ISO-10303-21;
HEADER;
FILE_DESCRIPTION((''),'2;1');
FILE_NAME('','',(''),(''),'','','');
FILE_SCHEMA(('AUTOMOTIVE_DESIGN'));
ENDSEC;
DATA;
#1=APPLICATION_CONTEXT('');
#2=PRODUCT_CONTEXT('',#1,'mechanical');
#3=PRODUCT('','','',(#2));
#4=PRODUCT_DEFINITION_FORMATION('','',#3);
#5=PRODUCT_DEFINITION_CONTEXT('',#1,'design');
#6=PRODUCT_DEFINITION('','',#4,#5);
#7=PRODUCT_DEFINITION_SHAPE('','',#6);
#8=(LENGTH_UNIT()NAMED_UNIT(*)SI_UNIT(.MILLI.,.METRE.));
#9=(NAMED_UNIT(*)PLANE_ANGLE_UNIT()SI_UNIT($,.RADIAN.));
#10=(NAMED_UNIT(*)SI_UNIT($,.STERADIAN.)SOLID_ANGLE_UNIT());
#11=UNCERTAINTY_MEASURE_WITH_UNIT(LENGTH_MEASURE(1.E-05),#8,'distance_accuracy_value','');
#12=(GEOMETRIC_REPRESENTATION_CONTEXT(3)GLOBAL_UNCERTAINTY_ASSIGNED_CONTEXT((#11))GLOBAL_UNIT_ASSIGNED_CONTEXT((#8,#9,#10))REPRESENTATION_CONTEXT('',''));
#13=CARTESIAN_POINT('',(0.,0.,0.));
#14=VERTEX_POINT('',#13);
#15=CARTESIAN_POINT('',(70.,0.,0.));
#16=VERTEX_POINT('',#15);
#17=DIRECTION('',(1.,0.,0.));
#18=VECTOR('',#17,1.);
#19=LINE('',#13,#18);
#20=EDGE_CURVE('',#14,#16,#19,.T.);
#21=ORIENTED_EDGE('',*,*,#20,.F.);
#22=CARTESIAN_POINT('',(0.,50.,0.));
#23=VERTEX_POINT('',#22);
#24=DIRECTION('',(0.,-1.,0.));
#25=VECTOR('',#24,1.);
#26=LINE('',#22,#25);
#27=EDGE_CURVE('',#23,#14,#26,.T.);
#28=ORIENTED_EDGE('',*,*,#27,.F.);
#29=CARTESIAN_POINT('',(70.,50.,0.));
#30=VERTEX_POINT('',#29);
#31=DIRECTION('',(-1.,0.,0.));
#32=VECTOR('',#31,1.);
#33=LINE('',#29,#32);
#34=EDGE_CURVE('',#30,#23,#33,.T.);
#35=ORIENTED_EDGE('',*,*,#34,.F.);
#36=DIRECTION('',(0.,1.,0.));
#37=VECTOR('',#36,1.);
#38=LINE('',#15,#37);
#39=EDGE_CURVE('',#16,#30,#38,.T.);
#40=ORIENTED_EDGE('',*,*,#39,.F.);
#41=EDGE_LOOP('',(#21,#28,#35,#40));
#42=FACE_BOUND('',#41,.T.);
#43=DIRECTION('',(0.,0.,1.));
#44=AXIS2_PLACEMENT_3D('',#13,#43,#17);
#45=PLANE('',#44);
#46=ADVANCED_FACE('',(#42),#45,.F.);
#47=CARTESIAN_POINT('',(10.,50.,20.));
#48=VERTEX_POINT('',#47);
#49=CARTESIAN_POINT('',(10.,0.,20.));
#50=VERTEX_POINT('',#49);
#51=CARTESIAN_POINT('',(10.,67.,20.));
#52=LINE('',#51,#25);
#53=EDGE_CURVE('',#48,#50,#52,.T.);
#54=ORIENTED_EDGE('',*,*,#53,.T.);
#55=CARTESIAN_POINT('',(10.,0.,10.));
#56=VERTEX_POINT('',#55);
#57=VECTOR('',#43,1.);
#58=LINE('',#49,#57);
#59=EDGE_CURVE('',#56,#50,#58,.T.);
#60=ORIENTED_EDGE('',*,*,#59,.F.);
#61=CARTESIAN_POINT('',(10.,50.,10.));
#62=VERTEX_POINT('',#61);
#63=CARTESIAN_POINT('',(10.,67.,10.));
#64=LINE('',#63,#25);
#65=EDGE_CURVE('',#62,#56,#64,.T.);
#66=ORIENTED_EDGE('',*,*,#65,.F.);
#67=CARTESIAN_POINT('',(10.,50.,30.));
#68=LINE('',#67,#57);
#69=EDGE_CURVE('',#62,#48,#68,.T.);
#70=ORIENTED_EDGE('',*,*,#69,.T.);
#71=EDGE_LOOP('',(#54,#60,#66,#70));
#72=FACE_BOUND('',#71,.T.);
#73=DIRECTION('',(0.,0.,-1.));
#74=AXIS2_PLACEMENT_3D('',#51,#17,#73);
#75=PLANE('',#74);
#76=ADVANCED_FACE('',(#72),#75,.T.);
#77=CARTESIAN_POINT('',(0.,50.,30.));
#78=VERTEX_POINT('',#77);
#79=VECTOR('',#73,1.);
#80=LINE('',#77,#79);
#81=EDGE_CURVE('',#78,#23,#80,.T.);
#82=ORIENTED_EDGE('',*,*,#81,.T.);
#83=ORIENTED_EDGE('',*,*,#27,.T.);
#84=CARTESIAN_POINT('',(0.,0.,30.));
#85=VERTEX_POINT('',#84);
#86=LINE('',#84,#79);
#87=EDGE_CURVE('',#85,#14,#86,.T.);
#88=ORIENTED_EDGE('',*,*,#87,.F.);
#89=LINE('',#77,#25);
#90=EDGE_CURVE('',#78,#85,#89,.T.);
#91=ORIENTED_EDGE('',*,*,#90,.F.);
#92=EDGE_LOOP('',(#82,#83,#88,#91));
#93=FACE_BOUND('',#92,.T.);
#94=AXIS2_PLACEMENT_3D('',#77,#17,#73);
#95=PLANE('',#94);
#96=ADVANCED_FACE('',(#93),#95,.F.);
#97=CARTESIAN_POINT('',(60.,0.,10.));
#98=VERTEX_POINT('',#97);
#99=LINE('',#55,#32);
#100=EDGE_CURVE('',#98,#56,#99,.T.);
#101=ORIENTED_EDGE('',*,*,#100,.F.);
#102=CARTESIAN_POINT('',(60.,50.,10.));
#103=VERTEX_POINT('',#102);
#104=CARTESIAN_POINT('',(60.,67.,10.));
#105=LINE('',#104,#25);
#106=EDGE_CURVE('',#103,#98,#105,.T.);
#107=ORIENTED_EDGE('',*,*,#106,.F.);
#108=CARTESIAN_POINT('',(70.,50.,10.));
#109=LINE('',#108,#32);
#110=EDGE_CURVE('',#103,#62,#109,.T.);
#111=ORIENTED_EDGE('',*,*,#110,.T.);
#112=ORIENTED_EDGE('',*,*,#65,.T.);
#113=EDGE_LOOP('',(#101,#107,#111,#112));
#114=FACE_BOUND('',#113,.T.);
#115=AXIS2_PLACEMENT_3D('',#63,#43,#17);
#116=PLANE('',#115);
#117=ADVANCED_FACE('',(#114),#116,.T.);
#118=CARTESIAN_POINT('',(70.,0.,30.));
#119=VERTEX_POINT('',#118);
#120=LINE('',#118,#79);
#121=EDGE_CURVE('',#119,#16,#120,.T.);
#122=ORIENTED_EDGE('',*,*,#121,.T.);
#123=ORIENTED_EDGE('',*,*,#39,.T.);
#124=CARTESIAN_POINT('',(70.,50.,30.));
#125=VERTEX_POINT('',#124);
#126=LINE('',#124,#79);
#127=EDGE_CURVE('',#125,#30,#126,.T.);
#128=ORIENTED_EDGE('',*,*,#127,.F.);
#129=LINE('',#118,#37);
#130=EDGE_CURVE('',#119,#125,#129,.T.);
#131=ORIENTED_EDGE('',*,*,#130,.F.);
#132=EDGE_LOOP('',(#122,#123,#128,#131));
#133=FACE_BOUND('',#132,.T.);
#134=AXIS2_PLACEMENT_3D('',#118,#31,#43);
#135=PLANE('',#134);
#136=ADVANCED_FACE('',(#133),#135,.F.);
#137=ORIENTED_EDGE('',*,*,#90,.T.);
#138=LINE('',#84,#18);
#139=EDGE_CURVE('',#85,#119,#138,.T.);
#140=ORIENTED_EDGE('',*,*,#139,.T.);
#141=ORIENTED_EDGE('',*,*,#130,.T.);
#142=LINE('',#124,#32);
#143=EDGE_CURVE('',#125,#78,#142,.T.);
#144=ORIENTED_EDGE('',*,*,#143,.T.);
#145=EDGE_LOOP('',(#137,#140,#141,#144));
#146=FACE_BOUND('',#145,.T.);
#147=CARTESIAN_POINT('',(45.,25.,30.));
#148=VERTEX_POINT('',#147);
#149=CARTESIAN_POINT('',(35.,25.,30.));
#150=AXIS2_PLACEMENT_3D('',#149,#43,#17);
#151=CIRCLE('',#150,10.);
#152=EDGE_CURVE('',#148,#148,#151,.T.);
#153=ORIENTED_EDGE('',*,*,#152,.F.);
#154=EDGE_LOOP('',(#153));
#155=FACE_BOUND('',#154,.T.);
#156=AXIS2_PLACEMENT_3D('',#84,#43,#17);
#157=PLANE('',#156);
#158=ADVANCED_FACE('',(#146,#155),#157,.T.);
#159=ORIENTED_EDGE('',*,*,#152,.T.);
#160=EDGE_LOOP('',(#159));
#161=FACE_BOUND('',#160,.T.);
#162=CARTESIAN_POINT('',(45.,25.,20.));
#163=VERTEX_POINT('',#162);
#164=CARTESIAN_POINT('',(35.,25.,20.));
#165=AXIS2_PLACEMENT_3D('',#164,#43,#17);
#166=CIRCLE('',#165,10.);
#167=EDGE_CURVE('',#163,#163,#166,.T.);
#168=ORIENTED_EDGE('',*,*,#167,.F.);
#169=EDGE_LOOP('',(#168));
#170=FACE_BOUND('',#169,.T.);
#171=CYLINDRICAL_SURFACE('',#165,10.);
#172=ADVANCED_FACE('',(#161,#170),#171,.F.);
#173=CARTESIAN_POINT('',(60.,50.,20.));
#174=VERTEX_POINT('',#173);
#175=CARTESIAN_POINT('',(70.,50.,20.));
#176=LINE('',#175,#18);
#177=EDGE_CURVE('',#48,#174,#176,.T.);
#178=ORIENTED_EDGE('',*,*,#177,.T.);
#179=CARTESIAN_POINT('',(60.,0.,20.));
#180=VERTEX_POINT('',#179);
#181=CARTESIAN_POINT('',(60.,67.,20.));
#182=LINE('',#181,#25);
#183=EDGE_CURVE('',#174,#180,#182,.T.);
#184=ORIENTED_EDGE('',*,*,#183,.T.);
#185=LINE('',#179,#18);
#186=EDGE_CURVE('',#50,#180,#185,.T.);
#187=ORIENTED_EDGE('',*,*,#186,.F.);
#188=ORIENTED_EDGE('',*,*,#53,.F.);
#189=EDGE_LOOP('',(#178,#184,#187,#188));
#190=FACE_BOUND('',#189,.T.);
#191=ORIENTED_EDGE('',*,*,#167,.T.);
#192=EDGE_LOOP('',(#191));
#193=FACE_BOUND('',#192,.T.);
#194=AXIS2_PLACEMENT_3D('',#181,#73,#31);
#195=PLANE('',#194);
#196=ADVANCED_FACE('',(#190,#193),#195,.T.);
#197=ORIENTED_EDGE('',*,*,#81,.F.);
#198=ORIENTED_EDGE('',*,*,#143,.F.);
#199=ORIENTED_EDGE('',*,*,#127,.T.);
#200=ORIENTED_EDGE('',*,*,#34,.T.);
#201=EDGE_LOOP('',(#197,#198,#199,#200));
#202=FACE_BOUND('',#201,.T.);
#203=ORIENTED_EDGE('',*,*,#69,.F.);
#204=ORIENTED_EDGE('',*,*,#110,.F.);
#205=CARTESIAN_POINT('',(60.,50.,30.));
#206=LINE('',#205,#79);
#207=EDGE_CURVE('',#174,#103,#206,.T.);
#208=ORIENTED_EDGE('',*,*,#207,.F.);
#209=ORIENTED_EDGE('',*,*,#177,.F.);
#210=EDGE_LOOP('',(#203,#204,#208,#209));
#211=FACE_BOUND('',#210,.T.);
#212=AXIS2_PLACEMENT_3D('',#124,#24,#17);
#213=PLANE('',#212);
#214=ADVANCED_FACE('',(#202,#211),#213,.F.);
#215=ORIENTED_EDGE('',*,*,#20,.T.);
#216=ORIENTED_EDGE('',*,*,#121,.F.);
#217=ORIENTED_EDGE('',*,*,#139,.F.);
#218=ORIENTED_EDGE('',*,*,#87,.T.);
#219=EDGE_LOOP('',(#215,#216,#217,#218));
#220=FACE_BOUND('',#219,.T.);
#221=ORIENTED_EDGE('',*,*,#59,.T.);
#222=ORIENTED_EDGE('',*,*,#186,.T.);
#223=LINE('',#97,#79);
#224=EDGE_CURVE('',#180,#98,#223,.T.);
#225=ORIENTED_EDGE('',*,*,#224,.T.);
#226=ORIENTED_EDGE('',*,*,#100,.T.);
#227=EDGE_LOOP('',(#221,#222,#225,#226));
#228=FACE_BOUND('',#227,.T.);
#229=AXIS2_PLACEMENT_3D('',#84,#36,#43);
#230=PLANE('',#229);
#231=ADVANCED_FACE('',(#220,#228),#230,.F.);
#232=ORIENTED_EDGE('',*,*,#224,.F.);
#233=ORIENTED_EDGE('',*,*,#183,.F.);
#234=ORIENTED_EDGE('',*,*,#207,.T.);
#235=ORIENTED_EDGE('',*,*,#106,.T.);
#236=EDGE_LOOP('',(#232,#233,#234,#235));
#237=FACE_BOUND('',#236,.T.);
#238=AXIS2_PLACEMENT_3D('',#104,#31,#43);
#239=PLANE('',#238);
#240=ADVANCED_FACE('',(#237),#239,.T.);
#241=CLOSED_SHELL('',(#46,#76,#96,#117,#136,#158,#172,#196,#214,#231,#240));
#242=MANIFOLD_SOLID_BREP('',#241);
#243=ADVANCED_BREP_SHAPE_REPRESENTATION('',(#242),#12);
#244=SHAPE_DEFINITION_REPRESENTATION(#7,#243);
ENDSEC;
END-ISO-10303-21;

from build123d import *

# Parameters (mm, degrees)
CROQUIS1_W              = 70
CROQUIS1_H              = 50
SALIENTE_EXTRUIR1_DEPTH = 30
CROQUIS3_W              = 50
CROQUIS3_H              = 10
CORTAR_EXTRUIR1_DEPTH   = 67
CROQUIS4_R              = 10
CORTAR_EXTRUIR2_DEPTH   = 10


with BuildPart() as part:
    # Croquis1 → Saliente-Extruir1 (new body)
    with BuildSketch(Plane.XY):
        with Locations((35, 25)):
            Rectangle(CROQUIS1_W, CROQUIS1_H)
    extrude(amount=SALIENTE_EXTRUIR1_DEPTH)

    # Croquis3 → Cortar-Extruir1 (cut)
    with BuildSketch(Plane(origin=(0, 0, 0), x_dir=(1, 0, 0), z_dir=(0, 1, 0))):
        with Locations((35, -15)):
            Rectangle(CROQUIS3_W, CROQUIS3_H)
    extrude(amount=CORTAR_EXTRUIR1_DEPTH, mode=Mode.SUBTRACT)

    # Croquis4 → Cortar-Extruir2 (cut)
    with BuildSketch(Plane.XY.offset(30)):
        with Locations((35, 25)):
            Circle(CROQUIS4_R)
    extrude(amount=-CORTAR_EXTRUIR2_DEPTH, mode=Mode.SUBTRACT)


solid = part.part
